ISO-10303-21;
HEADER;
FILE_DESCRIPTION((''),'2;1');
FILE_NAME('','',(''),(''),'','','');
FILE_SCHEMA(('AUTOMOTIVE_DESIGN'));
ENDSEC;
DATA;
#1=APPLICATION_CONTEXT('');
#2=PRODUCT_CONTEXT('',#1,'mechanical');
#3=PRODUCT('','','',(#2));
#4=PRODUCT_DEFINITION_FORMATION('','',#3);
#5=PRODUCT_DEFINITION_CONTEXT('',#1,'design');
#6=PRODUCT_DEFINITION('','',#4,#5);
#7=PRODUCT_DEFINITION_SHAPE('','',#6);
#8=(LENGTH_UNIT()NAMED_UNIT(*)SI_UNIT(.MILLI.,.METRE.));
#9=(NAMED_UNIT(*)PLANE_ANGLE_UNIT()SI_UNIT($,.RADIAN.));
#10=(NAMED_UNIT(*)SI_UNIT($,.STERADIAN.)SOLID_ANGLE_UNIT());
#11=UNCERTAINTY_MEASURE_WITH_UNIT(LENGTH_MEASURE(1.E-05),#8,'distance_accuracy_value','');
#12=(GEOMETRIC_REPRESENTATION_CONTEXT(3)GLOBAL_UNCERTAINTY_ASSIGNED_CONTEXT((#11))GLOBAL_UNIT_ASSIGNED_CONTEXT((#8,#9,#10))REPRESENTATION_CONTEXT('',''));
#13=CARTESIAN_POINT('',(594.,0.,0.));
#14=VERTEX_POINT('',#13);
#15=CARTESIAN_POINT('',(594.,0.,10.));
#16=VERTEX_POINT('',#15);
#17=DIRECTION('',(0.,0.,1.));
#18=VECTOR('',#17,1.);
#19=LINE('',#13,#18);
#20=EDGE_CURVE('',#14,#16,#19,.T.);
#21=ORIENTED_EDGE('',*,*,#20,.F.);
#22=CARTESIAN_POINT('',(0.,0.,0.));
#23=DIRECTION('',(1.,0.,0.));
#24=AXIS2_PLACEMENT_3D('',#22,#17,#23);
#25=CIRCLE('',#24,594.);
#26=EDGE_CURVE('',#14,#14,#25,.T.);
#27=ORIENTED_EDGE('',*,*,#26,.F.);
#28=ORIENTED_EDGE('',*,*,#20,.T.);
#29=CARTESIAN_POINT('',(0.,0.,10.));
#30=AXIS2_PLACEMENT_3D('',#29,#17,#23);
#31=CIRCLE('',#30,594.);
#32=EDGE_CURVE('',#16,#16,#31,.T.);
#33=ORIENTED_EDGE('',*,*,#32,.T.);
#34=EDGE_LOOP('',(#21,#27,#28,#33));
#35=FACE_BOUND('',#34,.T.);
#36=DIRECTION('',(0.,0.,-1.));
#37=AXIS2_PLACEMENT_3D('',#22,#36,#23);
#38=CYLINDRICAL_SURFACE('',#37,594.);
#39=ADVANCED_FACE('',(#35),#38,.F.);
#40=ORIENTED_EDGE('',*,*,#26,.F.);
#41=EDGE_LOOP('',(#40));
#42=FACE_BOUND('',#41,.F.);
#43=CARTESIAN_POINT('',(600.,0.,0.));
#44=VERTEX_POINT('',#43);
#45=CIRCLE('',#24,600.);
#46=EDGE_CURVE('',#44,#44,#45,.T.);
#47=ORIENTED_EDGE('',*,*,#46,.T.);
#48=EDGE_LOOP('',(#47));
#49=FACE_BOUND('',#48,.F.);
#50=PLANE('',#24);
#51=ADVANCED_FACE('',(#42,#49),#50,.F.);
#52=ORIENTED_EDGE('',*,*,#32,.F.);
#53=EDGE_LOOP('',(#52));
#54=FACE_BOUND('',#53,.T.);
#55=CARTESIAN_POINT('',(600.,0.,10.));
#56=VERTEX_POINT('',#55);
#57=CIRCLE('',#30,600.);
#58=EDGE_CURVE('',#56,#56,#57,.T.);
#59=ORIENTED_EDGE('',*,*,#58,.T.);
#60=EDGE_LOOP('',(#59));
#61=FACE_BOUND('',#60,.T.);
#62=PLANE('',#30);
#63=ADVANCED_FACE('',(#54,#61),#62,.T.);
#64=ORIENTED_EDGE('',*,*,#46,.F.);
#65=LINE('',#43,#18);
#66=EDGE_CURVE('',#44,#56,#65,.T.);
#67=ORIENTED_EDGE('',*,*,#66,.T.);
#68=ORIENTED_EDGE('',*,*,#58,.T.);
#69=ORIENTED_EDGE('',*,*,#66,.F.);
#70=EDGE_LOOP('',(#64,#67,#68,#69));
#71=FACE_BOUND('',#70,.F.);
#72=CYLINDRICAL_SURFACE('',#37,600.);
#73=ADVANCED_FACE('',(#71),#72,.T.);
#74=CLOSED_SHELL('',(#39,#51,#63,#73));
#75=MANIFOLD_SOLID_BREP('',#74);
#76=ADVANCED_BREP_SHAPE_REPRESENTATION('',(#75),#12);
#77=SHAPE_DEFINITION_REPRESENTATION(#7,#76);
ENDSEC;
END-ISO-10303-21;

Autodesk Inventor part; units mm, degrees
ref_plane "YZ Plane" through (0, 0, 0) normal (1, 0, 0) x (0, 1, 0)
ref_plane "XZ Plane" through (0, 0, 0) normal (0, 1, 0) x (-1, 0, 0)
ref_plane "XY Plane" through (0, 0, 0) normal (0, 0, 1) x (1, 0, 0)
sketch "Sketch1" plane through (0, 0, 0) normal (0, 0, 1) x (1, 0, 0)
  circle A0 centre (0, 0) radius 600
  circle A1 centre (0, 0) radius 594
  dimension "d0" = 1200
  dimension "d1" = 6
extrude "Extrusion1" add sketch "Sketch1" along normal blind 10
sketch "Sketch2" plane through (0, 0, 0) normal (0, 0, 1) x (1, 0, 0)
  circle A0 centre (0, 0) radius 517.8803 construction
  circle A1 centre (0, 0) radius 400.2499 construction
  circle A2 centre (0, 0) radius 256.3201 construction
  circle A3 centre (90, -90) radius 95
  circle A4 centre (-90, -90) radius 95
  circle A5 centre (-90, 90) radius 95
  circle A6 centre (90, 90) radius 95
  line L0 (90, 90) -> (-90, 90)
  line L1 (-90, 90) -> (-90, -90)
  line L2 (-90, -90) -> (90, -90)
  line L3 (90, -90) -> (90, 90)
  line L4 (90, 90) -> (-90, -90) construction
  line L5 (-90, 90) -> (90, -90) construction
  circle A7 centre (-240, -90) radius 95
  circle A8 centre (-390, -90) radius 95
  circle A9 centre (-510, -90) radius 95
  circle A10 centre (-90, -270) radius 95
  circle A11 centre (-90, -500) radius 95
  circle A12 centre (-290, -270) radius 95
  circle A13 centre (-450, -270) radius 95
  circle A14 centre (-340, -400) radius 95
  circle A15 centre (-240, 90) radius 95
  circle A16 centre (-390, 90) radius 95
  circle A17 centre (-510, 90) radius 95
  line L6 (-90, -90) -> (-510, -90)
  line L7 (0, 0) -> (0, -500)
  line L8 (0, -500) -> (-90, -500)
  line L9 (0, -400) -> (-340, -400)
  line L10 (0, -270) -> (-450, -270)
  circle A18 centre (-190, -400) radius 95
  dimension "d4" = 190
  dimension "d7" = 90
  dimension "d8" = 270
  dimension "d9" = 400
  dimension "d10" = 500
  dimension "d11" = 240
  dimension "d12" = 390
  dimension "d13" = 510
  dimension "d14" = 90
  dimension "d15" = 90
  dimension "d16" = 290
  dimension "d17" = 450
  dimension "d18" = 190
  dimension "d19" = 340
  dimension "d20" = 90
sketch "Sketch3" plane through (0, 0, 0) normal (0, 0, 1) x (1, 0, 0)
  circle A0 centre (-104.0992, -233.3488) radius 95
  circle A1 centre (-161.9131, -395.3117) radius 95
  circle A2 centre (-91.7953, -514.3257) radius 95
  circle A3 centre (-280.9346, -260.412) radius 95
  circle A4 centre (-299.5406, -418.8761) radius 95
  circle A5 centre (-250.7395, 99.5106) radius 95
  circle A6 centre (-395.8303, 87.9315) radius 95
  circle A7 centre (-535.2648, 91.0733) radius 95
  circle A8 centre (-460.3613, -287.8718) radius 95
  circle A9 centre (-531.2922, -111.9436) radius 95
  circle A10 centre (-392.3143, -102.4845) radius 95
  circle A11 centre (0, 0) radius 542.9574 construction
  circle A12 centre (-253.2201, -93.0176) radius 95
  circle A13 centre (-90.4998, -81.9426) radius 95
  circle A14 centre (85.6841, -88.1302) radius 95
  circle A15 centre (-90.4998, 88.0537) radius 95
  circle A16 centre (0, 0) radius 405.4794 construction
  circle A17 centre (0, 0) radius 269.7641 construction
  circle A18 centre (85.6841, 88.0537) radius 95
  line L0 (0, 0) -> (0, -542.9574)
  line L1 (0, -75.783) -> (-531.2922, -111.9436)
  line L2 (0, -217.4173) -> (-460.3613, -287.8718)
  circle A19 centre (0, 0) radius 600
  line L3 (0, -367.5891) -> (-299.5406, -418.8761)
  line L4 (-91.7953, -514.3257) -> (0, -514.3257)
  point P0 (0, 0)
  dimension "d21" = 190
  dimension "d22" = 1200
equation "\"d14\" = d7"
equation "\"d15\" = d7"
equation "\"BendRadius\" = Thickness"
equation "\"BendReliefWidth\" = Thickness"
equation "\"BendReliefDepth\" = 0.5 * Thickness"
equation "\"CornerReliefSize\" = 4 * Thickness"
equation "\"MinimumRemnant\" = 2 * Thickness"
equation "\"TransitionRadius\" = BendRadius"
equation "\"JacobiRadiusSize\" = BendRadius"
equation "\"GapSize\" = Thickness"
equation "\"way_tube_L1\" = 1"
equation "\"way_tube_L2\" = 1"
equation "\"way_tube_L3\" = 1"
equation "\"way_tube_L4\" = 1"
equation "\"way_tube_L5\" = 120"
equation "\"way_tube_L6\" = 90"
equation "\"way_tube_L7\" = 20"
equation "\"way_tube_L8\" = 90"
equation "\"way_tube_L9\" = 80"
equation "\"way_tube_L10\" = 80"
equation "\"Thickness\" = 3.048"
properties part number "TKS 3501 DIM filter-distribution-system"
